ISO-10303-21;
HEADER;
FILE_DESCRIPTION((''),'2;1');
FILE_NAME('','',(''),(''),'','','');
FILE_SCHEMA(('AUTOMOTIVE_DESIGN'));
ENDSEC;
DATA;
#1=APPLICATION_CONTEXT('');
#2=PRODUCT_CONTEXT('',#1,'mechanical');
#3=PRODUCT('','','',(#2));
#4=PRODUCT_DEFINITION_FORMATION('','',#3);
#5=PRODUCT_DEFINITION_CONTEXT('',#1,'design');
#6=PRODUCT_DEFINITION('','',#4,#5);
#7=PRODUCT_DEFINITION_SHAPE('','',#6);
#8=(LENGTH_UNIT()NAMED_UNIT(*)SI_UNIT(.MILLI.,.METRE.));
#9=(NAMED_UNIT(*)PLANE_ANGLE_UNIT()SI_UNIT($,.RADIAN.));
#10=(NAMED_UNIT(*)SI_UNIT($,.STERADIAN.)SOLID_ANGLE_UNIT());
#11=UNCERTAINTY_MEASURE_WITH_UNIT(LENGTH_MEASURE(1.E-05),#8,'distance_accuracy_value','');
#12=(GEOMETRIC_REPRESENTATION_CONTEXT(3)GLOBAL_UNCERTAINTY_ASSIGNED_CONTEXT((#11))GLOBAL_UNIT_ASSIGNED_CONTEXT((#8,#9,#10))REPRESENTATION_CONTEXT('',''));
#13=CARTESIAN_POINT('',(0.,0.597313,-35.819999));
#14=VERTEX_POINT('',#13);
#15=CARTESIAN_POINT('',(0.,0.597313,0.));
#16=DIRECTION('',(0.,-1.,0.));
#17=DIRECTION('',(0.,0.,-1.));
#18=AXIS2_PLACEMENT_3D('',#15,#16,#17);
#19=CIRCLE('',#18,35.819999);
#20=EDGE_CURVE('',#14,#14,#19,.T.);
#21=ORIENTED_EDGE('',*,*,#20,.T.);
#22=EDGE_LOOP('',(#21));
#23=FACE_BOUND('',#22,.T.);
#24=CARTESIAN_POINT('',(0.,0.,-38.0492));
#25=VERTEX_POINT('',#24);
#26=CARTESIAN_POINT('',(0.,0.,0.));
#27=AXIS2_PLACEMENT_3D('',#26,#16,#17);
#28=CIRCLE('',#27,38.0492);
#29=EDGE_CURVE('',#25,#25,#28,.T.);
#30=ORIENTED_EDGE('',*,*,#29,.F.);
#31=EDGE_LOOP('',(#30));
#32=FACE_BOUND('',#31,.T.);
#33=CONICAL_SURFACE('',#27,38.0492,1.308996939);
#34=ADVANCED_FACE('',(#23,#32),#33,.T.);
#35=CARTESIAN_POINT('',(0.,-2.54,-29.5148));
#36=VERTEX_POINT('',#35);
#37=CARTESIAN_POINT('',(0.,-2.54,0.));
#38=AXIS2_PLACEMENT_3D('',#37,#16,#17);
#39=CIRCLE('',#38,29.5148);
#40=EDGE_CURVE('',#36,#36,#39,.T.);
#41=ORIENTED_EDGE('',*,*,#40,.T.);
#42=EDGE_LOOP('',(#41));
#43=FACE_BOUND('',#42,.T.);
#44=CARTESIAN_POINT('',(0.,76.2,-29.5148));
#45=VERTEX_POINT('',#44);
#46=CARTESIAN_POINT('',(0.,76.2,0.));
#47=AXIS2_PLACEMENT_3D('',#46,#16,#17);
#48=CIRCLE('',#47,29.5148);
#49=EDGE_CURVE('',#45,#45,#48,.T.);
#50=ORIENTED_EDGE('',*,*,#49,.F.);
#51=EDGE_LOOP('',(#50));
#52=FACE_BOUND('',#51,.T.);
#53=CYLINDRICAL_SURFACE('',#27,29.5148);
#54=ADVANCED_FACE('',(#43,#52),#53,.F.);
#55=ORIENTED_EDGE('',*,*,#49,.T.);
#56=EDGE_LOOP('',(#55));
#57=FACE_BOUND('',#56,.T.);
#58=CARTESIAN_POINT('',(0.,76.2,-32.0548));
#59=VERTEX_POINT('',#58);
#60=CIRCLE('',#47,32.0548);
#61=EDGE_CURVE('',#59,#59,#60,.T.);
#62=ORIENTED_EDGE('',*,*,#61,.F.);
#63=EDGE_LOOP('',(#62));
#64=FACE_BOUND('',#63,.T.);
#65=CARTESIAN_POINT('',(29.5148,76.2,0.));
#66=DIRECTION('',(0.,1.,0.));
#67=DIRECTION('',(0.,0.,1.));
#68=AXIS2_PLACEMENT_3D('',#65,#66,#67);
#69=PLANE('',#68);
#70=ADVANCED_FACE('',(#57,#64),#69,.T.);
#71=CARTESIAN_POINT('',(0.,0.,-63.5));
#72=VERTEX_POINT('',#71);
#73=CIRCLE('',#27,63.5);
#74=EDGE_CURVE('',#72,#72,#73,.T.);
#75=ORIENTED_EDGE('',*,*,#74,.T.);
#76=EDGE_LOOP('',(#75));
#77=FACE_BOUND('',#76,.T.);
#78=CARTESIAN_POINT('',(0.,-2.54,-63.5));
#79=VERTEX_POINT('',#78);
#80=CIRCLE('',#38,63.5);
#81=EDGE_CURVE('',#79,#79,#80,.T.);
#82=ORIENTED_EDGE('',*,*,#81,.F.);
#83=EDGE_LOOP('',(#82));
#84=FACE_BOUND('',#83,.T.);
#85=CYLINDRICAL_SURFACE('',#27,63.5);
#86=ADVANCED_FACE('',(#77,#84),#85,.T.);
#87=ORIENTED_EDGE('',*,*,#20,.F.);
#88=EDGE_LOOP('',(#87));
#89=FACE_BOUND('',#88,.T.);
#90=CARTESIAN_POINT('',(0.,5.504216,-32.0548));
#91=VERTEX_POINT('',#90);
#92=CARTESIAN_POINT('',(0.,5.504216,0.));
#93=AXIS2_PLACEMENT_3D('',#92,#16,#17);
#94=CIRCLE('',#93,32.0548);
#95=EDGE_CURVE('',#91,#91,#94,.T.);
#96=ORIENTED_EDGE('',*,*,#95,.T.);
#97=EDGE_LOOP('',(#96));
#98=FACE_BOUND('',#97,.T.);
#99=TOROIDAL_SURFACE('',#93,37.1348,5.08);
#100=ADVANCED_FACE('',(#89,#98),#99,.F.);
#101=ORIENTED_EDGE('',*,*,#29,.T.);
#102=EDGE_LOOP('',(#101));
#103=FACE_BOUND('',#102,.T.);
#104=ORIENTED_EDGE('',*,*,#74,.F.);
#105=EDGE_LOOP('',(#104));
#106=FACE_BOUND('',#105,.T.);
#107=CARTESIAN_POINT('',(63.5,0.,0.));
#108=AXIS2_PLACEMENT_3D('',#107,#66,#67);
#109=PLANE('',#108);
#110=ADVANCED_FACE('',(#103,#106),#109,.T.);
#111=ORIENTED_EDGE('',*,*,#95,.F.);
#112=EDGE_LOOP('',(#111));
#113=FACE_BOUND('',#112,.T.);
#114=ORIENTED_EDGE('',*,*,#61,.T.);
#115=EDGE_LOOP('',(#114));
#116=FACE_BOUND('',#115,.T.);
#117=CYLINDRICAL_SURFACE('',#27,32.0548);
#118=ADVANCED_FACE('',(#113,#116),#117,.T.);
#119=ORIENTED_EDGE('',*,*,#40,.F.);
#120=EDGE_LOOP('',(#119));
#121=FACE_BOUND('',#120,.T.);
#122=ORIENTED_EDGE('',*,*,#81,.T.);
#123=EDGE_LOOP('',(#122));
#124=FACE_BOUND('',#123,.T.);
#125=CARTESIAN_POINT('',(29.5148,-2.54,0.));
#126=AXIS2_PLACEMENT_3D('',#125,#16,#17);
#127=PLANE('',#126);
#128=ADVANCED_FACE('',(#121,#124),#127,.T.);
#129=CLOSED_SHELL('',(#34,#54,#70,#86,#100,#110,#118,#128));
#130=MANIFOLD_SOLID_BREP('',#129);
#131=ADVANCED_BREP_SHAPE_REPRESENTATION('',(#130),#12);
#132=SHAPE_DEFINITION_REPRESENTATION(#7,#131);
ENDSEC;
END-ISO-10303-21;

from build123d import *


with BuildPart() as part:
    # Sketch1 → Revolve1 (revolve)
    with BuildSketch(Plane.XY, mode=Mode.PRIVATE) as revolve1_sk:
        with BuildLine():
            Line((38.0492, 0), (35.819999251, 0.59731254))
            ThreePointArc((35.819999251, 0.59731254), (33.104565031, 2.411707679), (32.0548, 5.504215738))
            Line((32.0548, 5.504215738), (32.0548, 76.2))
            Line((32.0548, 76.2), (29.5148, 76.2))
            Line((29.5148, 76.2), (29.5148, -2.54))
            Line((29.5148, -2.54), (63.5, -2.54))
            Line((63.5, -2.54), (63.5, 0))
            Line((63.5, 0), (38.0492, 0))
        make_face()
    revolve(revolve1_sk.sketch.rotate(Axis((0, 0, 0), (0, 1, 0)), 90), axis=Axis((0, 0, 0), (0, 1, 0)))


solid = part.part
